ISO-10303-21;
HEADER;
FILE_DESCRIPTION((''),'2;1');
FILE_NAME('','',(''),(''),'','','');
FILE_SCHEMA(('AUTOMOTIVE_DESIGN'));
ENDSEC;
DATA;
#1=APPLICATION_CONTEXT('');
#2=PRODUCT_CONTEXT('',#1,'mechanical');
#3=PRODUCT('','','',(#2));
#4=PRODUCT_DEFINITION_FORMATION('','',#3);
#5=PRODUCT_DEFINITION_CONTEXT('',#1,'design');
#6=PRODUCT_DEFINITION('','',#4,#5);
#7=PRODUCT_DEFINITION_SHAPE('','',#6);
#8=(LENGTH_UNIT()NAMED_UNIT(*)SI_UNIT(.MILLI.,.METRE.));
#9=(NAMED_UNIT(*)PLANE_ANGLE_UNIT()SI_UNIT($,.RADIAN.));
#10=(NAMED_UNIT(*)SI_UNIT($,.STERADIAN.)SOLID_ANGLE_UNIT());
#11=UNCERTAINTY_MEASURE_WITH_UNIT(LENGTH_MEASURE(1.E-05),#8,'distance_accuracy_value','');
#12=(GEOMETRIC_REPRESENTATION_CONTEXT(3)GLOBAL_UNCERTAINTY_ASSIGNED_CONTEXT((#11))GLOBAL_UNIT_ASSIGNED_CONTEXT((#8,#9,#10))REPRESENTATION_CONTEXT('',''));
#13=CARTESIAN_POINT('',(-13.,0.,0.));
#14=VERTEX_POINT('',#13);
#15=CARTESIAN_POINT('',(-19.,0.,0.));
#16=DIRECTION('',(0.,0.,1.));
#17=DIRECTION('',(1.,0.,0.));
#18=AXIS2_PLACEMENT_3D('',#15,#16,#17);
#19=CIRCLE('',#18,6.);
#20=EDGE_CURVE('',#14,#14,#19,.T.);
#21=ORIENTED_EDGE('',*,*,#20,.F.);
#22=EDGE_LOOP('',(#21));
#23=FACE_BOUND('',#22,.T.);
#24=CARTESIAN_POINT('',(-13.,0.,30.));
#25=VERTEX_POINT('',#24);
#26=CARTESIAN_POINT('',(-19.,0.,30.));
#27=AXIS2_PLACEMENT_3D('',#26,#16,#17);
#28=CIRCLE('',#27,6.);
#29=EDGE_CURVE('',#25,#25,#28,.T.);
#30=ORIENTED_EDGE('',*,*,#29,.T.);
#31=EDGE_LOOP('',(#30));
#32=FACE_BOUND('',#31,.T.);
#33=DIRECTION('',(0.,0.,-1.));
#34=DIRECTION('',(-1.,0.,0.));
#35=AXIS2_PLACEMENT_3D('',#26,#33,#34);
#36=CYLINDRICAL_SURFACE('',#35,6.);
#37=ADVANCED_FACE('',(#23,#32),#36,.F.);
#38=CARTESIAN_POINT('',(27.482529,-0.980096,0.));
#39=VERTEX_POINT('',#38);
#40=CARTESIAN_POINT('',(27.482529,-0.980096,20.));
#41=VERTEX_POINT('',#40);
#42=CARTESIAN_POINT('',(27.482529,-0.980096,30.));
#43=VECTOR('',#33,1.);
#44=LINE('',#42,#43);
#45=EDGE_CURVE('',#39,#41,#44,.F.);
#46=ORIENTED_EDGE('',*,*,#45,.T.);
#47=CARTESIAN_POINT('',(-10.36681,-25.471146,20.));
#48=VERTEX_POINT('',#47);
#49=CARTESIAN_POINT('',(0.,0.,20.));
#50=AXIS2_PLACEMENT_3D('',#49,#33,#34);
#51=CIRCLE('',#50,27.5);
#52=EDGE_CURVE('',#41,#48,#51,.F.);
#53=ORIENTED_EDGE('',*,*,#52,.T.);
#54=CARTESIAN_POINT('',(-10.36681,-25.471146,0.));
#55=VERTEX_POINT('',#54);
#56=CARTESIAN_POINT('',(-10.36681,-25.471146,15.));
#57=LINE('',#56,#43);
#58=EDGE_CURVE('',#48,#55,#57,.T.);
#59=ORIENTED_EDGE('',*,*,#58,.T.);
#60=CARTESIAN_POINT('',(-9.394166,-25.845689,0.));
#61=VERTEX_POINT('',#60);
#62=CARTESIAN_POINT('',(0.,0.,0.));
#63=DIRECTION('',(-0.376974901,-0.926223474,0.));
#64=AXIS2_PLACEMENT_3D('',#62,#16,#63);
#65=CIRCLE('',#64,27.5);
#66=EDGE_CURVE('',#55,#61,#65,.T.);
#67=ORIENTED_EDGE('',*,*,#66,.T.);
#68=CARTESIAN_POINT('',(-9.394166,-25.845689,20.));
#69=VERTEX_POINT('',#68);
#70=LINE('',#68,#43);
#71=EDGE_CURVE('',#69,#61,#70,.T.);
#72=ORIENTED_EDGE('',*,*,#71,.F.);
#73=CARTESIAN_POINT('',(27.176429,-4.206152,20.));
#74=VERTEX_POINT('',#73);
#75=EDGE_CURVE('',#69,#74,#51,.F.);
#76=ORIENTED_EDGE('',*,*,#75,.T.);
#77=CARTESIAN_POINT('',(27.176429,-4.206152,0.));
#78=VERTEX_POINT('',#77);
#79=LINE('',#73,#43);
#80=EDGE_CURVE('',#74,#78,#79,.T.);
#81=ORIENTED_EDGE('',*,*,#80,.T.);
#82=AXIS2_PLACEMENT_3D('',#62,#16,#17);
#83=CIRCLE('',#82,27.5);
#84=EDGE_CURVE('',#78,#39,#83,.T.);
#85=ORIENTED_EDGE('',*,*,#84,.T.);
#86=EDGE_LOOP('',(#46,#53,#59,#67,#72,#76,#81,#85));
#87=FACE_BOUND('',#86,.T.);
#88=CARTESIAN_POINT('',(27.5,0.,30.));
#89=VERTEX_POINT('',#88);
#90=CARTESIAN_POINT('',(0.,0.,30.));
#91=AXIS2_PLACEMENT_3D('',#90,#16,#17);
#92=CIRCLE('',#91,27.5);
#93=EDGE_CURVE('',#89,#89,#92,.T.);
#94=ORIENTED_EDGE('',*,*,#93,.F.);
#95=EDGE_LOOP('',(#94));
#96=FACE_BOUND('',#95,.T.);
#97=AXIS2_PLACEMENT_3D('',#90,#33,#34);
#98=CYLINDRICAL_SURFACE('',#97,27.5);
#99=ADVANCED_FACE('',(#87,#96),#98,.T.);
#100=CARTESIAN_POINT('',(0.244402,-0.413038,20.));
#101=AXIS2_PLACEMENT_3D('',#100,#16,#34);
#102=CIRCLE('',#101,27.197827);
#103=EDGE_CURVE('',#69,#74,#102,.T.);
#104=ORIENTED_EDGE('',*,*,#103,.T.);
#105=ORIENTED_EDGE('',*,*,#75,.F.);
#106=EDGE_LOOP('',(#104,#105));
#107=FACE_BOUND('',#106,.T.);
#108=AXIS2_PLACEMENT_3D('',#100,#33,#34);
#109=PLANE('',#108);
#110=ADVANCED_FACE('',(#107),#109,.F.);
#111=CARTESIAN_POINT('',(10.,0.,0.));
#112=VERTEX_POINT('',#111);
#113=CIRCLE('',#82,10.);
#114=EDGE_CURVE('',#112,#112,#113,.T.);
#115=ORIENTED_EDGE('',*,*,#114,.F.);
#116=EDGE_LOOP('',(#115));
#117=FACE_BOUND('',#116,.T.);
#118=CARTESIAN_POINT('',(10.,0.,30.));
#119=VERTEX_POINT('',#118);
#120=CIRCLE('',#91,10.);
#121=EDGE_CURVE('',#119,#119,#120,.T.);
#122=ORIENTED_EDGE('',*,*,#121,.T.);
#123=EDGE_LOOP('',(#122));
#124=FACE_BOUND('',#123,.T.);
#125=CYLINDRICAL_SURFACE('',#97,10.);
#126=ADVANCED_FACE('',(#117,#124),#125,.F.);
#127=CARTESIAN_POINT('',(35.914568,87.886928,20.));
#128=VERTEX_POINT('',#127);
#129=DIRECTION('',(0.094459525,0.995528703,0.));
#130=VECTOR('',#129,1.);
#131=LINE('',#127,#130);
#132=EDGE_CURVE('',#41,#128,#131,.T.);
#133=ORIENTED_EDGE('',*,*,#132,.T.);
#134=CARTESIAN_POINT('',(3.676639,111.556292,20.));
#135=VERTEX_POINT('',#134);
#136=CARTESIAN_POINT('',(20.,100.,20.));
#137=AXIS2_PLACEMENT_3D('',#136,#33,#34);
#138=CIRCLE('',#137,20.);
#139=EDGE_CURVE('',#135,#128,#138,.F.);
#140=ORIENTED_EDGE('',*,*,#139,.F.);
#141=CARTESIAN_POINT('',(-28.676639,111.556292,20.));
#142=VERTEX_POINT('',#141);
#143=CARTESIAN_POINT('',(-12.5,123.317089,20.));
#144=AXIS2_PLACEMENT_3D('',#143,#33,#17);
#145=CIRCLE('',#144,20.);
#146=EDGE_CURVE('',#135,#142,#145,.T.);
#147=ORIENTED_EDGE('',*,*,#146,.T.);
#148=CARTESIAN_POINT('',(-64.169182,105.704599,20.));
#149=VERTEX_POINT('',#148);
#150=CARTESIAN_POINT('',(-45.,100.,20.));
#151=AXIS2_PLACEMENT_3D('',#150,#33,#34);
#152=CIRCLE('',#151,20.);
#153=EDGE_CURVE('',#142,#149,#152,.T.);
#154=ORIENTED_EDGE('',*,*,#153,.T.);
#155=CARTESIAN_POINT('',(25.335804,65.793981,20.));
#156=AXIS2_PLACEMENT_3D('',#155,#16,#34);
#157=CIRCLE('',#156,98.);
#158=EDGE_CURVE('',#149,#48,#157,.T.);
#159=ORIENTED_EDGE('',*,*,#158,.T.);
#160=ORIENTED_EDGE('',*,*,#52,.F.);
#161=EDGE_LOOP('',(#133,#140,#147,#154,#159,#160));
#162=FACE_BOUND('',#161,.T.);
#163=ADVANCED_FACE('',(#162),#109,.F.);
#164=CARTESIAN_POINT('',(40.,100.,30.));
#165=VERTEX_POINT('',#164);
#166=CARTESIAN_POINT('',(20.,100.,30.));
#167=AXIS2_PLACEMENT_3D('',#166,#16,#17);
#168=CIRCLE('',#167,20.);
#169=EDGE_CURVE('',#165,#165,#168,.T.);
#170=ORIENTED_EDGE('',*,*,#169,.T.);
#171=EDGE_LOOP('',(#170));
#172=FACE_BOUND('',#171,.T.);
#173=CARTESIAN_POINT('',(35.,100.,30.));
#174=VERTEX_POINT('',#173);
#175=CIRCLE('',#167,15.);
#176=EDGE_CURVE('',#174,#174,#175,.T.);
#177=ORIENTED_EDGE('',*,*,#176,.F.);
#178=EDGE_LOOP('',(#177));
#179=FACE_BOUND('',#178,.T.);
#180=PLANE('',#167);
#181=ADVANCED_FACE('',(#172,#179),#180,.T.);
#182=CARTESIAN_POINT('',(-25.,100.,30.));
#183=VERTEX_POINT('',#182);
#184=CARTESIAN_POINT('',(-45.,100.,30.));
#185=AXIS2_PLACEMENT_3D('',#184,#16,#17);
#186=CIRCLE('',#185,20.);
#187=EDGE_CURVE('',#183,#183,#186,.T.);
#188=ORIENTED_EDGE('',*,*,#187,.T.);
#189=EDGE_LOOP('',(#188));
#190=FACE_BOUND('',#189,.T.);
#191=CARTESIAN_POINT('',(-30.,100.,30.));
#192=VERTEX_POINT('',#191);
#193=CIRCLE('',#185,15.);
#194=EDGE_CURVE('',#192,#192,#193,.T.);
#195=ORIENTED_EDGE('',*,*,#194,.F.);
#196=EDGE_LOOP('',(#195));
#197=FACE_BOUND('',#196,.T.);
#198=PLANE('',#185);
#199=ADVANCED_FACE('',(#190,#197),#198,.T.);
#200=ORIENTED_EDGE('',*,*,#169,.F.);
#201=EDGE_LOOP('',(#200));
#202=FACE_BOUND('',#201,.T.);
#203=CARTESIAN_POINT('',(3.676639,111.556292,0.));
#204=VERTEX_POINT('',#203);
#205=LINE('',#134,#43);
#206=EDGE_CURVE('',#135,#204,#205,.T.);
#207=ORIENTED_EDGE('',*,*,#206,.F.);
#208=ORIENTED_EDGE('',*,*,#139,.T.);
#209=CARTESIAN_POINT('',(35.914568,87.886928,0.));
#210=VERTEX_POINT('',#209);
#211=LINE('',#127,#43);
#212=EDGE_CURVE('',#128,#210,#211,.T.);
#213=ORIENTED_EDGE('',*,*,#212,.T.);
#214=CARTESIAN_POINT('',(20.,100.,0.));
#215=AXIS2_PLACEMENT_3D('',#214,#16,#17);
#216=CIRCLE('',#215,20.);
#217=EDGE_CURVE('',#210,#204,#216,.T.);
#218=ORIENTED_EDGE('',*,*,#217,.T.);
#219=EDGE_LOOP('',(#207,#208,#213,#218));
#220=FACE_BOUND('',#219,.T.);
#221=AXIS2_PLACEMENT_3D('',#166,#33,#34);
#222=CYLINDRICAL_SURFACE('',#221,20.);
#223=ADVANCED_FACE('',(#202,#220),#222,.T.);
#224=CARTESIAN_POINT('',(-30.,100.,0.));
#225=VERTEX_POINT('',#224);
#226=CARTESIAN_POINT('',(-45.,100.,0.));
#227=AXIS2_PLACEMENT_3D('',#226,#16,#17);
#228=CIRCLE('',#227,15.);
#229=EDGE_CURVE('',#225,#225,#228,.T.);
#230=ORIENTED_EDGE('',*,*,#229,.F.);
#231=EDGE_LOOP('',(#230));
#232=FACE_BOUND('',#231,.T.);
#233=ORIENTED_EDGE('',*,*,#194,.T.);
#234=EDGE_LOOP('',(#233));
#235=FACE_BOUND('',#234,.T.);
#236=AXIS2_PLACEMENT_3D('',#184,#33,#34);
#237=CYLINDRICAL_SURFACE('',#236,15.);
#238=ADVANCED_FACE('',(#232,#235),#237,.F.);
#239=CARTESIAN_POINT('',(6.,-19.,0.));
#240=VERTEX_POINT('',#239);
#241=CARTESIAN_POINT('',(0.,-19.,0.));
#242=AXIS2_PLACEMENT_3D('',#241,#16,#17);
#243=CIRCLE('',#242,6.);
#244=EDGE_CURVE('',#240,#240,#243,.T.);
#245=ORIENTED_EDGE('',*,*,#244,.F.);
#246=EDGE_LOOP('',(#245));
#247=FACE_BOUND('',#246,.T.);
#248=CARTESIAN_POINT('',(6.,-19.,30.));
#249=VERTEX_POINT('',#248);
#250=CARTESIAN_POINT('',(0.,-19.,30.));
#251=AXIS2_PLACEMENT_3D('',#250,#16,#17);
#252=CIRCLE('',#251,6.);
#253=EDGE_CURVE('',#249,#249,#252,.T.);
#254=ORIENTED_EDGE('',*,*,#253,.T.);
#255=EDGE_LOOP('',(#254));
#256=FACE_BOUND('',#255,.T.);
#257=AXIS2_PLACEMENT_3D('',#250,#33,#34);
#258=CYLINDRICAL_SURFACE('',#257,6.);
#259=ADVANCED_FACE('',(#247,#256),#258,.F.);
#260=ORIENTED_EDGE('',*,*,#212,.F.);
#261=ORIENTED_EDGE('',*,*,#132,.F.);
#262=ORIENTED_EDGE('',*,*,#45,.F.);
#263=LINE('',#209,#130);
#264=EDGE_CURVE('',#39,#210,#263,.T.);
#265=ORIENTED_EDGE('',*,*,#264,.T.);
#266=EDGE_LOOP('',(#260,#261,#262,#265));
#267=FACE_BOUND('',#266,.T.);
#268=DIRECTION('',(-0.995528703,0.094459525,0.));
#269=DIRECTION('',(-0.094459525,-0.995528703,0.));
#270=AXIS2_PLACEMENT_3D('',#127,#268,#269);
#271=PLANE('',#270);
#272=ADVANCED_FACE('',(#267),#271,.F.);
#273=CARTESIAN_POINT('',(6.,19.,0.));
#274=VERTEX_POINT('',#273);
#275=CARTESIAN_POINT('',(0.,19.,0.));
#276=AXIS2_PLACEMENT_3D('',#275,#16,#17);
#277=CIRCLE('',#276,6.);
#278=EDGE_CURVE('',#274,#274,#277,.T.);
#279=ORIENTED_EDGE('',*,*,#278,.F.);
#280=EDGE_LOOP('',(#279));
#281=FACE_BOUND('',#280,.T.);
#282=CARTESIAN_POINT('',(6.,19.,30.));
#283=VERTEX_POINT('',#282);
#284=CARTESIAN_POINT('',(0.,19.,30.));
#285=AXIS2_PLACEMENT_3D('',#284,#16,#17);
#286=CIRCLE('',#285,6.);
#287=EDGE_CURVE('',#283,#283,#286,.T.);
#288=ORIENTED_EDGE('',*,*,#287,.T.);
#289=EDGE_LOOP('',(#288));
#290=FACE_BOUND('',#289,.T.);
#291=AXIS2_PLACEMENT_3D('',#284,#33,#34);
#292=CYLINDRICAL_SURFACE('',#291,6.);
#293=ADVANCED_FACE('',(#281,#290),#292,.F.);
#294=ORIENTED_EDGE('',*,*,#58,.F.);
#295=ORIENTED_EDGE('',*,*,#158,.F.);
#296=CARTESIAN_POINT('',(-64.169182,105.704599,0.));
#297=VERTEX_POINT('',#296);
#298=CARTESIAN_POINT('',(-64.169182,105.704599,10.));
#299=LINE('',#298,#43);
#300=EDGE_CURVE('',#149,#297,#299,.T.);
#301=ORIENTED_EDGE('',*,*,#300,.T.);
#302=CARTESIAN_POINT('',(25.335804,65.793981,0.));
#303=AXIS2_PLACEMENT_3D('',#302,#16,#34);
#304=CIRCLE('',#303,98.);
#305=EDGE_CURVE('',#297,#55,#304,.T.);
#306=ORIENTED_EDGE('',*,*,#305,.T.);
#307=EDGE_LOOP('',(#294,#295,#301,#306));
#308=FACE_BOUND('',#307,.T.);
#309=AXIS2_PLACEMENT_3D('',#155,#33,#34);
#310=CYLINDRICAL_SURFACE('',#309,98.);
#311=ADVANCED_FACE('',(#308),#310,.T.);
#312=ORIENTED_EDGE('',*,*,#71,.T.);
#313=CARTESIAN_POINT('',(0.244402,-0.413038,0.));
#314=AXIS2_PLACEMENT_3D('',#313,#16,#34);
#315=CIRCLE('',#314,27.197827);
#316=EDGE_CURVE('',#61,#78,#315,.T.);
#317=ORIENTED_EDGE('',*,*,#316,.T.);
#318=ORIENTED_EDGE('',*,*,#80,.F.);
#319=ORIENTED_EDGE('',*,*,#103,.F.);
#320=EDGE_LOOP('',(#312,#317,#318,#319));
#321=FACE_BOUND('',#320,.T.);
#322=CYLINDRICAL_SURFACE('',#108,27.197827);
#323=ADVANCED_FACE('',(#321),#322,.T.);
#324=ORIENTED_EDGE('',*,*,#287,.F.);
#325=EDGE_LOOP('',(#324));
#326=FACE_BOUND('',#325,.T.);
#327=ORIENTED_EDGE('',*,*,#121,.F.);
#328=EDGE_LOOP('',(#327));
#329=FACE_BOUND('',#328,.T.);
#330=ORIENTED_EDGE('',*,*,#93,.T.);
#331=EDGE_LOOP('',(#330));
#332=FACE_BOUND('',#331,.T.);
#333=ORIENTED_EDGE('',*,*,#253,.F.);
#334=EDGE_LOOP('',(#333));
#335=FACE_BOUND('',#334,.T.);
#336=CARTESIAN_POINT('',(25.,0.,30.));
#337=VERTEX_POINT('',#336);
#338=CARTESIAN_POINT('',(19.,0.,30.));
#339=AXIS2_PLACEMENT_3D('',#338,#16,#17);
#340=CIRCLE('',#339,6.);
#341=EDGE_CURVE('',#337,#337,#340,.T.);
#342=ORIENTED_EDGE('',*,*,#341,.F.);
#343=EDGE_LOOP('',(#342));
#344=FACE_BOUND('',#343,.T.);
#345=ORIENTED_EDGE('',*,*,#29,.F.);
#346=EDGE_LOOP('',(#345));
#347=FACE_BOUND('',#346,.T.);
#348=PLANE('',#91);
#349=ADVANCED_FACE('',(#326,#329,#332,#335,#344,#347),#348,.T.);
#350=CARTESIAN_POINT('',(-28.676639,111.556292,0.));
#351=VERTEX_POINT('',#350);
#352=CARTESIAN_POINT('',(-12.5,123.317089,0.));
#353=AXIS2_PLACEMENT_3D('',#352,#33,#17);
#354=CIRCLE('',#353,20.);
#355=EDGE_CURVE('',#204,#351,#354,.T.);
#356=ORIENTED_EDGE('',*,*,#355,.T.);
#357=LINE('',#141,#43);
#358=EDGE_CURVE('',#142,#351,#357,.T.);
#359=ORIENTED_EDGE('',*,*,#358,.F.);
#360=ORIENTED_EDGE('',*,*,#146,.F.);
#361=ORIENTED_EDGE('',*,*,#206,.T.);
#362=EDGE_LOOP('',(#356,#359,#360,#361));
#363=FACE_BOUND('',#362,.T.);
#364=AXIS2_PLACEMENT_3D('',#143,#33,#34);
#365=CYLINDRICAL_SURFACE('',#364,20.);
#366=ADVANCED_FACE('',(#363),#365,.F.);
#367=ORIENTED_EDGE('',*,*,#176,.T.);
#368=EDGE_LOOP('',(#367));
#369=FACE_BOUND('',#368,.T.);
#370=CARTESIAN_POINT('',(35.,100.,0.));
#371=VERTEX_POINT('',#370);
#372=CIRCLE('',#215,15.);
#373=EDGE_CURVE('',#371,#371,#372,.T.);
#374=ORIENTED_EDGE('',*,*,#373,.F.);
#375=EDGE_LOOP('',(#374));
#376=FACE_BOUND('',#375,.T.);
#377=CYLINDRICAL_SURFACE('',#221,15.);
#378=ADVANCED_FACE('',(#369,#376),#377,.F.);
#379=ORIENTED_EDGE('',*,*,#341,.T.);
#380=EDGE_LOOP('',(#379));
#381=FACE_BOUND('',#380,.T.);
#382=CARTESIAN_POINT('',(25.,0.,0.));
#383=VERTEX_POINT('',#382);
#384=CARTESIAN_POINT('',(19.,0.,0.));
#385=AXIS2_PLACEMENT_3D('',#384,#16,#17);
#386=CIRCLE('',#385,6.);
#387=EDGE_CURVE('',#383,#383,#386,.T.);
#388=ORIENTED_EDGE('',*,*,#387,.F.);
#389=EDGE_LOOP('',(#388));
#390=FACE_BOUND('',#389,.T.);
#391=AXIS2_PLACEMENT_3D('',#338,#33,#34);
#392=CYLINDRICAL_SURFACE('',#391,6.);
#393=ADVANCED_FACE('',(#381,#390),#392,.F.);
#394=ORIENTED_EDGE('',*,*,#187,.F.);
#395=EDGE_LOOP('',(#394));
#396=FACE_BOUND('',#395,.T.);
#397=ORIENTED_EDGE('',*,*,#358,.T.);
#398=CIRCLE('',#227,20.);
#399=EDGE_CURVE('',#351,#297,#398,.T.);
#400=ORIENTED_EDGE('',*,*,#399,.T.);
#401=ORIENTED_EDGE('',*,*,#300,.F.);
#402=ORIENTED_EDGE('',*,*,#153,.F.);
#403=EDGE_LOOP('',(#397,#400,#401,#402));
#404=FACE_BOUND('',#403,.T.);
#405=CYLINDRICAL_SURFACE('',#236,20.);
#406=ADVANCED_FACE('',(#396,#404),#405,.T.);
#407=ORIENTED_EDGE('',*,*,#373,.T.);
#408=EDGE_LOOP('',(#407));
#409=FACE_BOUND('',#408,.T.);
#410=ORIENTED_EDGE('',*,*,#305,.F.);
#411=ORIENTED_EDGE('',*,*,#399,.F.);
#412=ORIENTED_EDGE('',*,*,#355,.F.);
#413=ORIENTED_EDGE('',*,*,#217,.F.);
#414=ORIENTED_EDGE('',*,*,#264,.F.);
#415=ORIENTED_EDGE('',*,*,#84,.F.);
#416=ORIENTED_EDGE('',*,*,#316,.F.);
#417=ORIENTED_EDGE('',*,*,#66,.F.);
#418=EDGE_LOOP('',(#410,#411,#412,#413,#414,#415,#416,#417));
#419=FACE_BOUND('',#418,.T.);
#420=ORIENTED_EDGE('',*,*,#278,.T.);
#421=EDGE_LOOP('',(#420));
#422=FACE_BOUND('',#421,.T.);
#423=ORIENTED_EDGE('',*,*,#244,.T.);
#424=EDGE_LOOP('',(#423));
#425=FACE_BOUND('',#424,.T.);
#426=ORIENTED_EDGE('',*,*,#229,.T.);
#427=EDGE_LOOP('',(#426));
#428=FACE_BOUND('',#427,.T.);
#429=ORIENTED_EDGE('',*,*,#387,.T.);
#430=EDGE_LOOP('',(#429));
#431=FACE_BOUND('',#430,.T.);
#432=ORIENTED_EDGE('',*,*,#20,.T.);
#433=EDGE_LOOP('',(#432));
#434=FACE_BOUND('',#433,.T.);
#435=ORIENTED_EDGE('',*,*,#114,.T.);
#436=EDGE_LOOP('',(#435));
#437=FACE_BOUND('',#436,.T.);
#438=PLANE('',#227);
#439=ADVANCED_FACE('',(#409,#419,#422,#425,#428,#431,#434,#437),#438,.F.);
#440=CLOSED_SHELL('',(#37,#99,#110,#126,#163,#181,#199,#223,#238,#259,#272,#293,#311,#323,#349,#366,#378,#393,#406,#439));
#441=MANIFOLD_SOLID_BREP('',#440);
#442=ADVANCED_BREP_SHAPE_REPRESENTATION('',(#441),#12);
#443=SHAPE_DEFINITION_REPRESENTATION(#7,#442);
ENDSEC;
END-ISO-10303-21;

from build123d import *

# Parameters (mm, degrees)
SKETCH1_R               = 27.5
SKETCH1_R_2             = 19
SKETCH1_R_3             = 10
BOSS_EXTRUDE1_DEPTH     = 30
SKETCH2_R               = 20
SKETCH2_R_2             = 15
BOSS_EXTRUDE2_DEPTH     = 30
BOSS_EXTRUDE2_2_DEPTH   = 30
SKETCH5_R               = 6
CUT_EXTRUDE1_DEPTH      = 30
BOSS_EXTRUDE3_DEPTH     = 20
SKETCH7_R               = 15
SKETCH7_R_2             = 6
SKETCH7_R_3             = 10
CUT_EXTRUDE2_DEPTH      = 11
CUT_EXTRUDE2_DEPTH_BACK = 21


with BuildPart() as part:
    # Sketch1 → Boss-Extrude1 (new body)
    with BuildSketch(Plane.XY):
        Circle(SKETCH1_R)
        Circle(SKETCH1_R_2, mode=Mode.SUBTRACT)
        Circle(SKETCH1_R_2)
        Circle(SKETCH1_R_3, mode=Mode.SUBTRACT)
    extrude(amount=BOSS_EXTRUDE1_DEPTH)

    # Sketch5 → Cut-Extrude1 (cut)
    with BuildSketch(Plane.XY):
        with Locations((0, 19)):
            Circle(SKETCH5_R)
        with Locations((-19, 0)):
            Circle(SKETCH5_R)
        with Locations((0, -19)):
            Circle(SKETCH5_R)
        with Locations((19, 0)):
            Circle(SKETCH5_R)
    extrude(amount=CUT_EXTRUDE1_DEPTH, mode=Mode.SUBTRACT)



with BuildPart() as body_2:
    # Sketch2 → Boss-Extrude2 (new body)
    with BuildSketch(Plane.XY):
        with Locations((-45, 100)):
            Circle(SKETCH2_R)
        with Locations((-45, 100)):
            Circle(SKETCH2_R_2, mode=Mode.SUBTRACT)
    extrude(amount=BOSS_EXTRUDE2_DEPTH)


with BuildPart() as body_3:
    # Sketch2 → Boss-Extrude2 2 (new body)
    with BuildSketch(Plane.XY):
        with Locations((20, 100)):
            Circle(SKETCH2_R)
        with Locations((20, 100)):
            Circle(SKETCH2_R_2, mode=Mode.SUBTRACT)
    extrude(amount=BOSS_EXTRUDE2_2_DEPTH)


with BuildPart() as part_1:
    add(part.part)

    add(body_2.part)  # Boss-Extrude3 merges body 2

    add(body_3.part)  # Boss-Extrude3 merges body 3
    # Sketch6 → Boss-Extrude3 (add)
    with BuildSketch(Plane.XY):
        with BuildLine():
            Line((35.914568173, 87.886927728), (27.176428779, -4.206152493))
            ThreePointArc((27.176428779, -4.206152493), (14.094792579, -23.82005481), (-9.394166008, -25.845689099))
            ThreePointArc((-9.394166008, -25.845689099), (-66.335656198, 31.148009393), (-61.323361203, 111.556291751))
            ThreePointArc((-61.323361203, 111.556291751), (-45, 119.870223993), (-28.676638797, 111.556291751))
            ThreePointArc((-28.676638797, 111.556291751), (-12.5, 103.317089225), (3.676638797, 111.556291751))
            ThreePointArc((3.676638797, 111.556291751), (31.685854827, 115.916260455), (35.914568173, 87.886927728))
        make_face()
    extrude(amount=BOSS_EXTRUDE3_DEPTH)

    # Sketch7 → Cut-Extrude2 (cut, two sides)
    with BuildSketch(Plane.XY.offset(20)) as cut_extrude2_sk:
        with Locations((-45, 100)):
            Circle(SKETCH7_R)
        with Locations((20, 100)):
            Circle(SKETCH7_R)
        with Locations((0, 19)):
            Circle(SKETCH7_R_2)
        with Locations((-19, 0)):
            Circle(SKETCH7_R_2)
        with Locations((0, -19)):
            Circle(SKETCH7_R_2)
        with Locations((19, 0)):
            Circle(SKETCH7_R_2)
        Circle(SKETCH7_R_3)
    extrude(amount=CUT_EXTRUDE2_DEPTH, mode=Mode.SUBTRACT)
    extrude(cut_extrude2_sk.sketch, amount=-CUT_EXTRUDE2_DEPTH_BACK, mode=Mode.SUBTRACT)


solid = part_1.part
